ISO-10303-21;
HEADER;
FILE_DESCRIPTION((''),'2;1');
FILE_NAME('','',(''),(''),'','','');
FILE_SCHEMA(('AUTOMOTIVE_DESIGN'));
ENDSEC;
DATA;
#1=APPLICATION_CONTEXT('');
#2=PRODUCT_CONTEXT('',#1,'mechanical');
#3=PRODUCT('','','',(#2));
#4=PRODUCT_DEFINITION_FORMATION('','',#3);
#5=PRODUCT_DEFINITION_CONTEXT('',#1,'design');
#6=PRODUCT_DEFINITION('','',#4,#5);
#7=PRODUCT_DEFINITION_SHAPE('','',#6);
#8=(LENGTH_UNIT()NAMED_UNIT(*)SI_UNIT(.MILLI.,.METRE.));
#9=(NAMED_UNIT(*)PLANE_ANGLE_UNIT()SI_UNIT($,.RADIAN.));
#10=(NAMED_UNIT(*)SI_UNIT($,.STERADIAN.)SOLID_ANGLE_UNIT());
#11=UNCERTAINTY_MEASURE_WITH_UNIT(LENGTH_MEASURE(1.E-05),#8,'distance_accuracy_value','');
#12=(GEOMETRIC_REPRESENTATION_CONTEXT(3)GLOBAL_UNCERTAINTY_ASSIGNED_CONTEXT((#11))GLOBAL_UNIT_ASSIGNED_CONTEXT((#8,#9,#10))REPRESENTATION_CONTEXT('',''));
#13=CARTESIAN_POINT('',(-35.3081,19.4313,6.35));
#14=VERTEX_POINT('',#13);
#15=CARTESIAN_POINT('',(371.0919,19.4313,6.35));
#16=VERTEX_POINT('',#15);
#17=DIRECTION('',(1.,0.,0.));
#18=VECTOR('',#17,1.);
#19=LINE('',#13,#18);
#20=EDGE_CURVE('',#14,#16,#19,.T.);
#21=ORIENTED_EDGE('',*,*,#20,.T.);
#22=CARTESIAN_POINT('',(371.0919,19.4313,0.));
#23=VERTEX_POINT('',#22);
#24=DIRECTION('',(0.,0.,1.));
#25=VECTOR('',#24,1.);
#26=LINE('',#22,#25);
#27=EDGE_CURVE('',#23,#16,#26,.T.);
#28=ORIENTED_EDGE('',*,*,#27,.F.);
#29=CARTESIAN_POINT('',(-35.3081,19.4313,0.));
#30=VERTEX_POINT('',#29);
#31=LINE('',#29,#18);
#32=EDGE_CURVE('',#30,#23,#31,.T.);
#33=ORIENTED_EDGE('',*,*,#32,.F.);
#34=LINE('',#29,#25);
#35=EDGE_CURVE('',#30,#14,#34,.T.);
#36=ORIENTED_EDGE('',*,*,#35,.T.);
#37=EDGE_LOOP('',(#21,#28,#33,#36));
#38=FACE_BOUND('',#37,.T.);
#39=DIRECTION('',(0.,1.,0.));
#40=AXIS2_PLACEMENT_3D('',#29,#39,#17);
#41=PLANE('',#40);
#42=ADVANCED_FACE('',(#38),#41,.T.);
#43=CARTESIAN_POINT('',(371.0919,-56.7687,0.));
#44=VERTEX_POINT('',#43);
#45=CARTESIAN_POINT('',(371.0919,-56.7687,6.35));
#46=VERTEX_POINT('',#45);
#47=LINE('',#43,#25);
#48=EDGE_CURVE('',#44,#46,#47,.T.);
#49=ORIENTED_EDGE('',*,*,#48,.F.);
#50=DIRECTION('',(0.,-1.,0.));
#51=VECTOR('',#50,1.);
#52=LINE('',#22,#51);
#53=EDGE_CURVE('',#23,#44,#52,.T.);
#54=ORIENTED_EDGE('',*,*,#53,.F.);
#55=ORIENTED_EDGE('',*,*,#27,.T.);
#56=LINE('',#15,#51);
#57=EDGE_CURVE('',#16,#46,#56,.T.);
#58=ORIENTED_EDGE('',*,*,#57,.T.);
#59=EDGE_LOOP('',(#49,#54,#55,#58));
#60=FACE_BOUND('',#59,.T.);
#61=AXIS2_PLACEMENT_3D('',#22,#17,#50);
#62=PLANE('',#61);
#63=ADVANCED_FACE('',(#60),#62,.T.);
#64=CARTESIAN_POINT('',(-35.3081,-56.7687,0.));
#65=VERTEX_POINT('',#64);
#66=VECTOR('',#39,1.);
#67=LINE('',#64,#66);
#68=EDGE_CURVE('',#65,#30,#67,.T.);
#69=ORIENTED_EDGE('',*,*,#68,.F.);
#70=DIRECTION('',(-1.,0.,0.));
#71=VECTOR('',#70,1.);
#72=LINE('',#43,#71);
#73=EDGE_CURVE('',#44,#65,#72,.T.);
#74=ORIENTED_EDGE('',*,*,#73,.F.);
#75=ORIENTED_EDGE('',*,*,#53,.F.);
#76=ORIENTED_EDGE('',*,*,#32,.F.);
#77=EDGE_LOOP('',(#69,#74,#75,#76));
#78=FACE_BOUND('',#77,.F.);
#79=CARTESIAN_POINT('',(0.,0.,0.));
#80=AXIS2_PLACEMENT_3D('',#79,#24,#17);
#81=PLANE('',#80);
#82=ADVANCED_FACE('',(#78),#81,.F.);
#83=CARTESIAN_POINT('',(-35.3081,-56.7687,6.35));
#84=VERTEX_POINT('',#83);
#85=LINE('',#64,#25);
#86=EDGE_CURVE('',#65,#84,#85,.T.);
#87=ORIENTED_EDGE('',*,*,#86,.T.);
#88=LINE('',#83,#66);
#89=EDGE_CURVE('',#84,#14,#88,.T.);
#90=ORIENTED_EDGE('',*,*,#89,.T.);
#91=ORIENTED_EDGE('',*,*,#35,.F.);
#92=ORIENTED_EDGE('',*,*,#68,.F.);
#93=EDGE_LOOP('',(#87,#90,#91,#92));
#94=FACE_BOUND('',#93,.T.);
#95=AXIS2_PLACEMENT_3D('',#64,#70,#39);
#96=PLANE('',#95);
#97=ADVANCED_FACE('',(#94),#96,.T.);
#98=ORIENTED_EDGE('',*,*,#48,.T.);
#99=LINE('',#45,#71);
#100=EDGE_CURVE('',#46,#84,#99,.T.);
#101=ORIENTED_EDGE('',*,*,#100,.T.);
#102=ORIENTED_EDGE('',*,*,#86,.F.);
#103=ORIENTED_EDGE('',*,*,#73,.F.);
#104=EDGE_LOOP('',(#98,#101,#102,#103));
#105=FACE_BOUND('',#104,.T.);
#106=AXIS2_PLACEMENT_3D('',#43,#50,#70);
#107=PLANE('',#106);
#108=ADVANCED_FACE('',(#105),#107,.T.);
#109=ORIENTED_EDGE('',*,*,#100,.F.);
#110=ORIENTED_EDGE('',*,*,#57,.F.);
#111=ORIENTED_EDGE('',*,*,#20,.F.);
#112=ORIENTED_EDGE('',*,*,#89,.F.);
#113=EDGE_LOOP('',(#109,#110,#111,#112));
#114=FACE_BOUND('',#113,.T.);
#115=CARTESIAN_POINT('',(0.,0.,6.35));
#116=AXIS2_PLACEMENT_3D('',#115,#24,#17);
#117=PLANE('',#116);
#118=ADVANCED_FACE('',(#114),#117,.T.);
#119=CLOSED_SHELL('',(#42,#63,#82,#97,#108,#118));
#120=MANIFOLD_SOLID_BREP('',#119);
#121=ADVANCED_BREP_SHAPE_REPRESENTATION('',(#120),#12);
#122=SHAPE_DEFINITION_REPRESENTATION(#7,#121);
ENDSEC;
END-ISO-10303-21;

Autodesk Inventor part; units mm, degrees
ref_plane "YZ Plane" through (0, 0, 0) normal (1, 0, 0) x (0, 1, 0)
ref_plane "XZ Plane" through (0, 0, 0) normal (0, 1, 0) x (-1, 0, 0)
ref_plane "XY Plane" through (0, 0, 0) normal (0, 0, 1) x (1, 0, 0)
sketch "Sketch1" plane through (0, 0, 0) normal (0, 0, 1) x (1, 0, 0)
  line L0 (-35.3081, 19.4313) -> (371.0919, 19.4313)
  line L1 (371.0919, 19.4313) -> (371.0919, -56.7687)
  line L2 (371.0919, -56.7687) -> (-35.3081, -56.7687)
  line L3 (-35.3081, -56.7687) -> (-35.3081, 19.4313)
  dimension "d0" = 406.4
  dimension "d1" = 76.2
extrude "Extrusion1" add sketch "Sketch1" along normal blind 6.35
ref_plane "Work Plane2" through (-35.3081, -18.6687, 0) normal (0, 1, 0) x (1, 0, 0)
equation "\"d5\" = -0.5 * d1"
properties part number "FE-00001-02"
